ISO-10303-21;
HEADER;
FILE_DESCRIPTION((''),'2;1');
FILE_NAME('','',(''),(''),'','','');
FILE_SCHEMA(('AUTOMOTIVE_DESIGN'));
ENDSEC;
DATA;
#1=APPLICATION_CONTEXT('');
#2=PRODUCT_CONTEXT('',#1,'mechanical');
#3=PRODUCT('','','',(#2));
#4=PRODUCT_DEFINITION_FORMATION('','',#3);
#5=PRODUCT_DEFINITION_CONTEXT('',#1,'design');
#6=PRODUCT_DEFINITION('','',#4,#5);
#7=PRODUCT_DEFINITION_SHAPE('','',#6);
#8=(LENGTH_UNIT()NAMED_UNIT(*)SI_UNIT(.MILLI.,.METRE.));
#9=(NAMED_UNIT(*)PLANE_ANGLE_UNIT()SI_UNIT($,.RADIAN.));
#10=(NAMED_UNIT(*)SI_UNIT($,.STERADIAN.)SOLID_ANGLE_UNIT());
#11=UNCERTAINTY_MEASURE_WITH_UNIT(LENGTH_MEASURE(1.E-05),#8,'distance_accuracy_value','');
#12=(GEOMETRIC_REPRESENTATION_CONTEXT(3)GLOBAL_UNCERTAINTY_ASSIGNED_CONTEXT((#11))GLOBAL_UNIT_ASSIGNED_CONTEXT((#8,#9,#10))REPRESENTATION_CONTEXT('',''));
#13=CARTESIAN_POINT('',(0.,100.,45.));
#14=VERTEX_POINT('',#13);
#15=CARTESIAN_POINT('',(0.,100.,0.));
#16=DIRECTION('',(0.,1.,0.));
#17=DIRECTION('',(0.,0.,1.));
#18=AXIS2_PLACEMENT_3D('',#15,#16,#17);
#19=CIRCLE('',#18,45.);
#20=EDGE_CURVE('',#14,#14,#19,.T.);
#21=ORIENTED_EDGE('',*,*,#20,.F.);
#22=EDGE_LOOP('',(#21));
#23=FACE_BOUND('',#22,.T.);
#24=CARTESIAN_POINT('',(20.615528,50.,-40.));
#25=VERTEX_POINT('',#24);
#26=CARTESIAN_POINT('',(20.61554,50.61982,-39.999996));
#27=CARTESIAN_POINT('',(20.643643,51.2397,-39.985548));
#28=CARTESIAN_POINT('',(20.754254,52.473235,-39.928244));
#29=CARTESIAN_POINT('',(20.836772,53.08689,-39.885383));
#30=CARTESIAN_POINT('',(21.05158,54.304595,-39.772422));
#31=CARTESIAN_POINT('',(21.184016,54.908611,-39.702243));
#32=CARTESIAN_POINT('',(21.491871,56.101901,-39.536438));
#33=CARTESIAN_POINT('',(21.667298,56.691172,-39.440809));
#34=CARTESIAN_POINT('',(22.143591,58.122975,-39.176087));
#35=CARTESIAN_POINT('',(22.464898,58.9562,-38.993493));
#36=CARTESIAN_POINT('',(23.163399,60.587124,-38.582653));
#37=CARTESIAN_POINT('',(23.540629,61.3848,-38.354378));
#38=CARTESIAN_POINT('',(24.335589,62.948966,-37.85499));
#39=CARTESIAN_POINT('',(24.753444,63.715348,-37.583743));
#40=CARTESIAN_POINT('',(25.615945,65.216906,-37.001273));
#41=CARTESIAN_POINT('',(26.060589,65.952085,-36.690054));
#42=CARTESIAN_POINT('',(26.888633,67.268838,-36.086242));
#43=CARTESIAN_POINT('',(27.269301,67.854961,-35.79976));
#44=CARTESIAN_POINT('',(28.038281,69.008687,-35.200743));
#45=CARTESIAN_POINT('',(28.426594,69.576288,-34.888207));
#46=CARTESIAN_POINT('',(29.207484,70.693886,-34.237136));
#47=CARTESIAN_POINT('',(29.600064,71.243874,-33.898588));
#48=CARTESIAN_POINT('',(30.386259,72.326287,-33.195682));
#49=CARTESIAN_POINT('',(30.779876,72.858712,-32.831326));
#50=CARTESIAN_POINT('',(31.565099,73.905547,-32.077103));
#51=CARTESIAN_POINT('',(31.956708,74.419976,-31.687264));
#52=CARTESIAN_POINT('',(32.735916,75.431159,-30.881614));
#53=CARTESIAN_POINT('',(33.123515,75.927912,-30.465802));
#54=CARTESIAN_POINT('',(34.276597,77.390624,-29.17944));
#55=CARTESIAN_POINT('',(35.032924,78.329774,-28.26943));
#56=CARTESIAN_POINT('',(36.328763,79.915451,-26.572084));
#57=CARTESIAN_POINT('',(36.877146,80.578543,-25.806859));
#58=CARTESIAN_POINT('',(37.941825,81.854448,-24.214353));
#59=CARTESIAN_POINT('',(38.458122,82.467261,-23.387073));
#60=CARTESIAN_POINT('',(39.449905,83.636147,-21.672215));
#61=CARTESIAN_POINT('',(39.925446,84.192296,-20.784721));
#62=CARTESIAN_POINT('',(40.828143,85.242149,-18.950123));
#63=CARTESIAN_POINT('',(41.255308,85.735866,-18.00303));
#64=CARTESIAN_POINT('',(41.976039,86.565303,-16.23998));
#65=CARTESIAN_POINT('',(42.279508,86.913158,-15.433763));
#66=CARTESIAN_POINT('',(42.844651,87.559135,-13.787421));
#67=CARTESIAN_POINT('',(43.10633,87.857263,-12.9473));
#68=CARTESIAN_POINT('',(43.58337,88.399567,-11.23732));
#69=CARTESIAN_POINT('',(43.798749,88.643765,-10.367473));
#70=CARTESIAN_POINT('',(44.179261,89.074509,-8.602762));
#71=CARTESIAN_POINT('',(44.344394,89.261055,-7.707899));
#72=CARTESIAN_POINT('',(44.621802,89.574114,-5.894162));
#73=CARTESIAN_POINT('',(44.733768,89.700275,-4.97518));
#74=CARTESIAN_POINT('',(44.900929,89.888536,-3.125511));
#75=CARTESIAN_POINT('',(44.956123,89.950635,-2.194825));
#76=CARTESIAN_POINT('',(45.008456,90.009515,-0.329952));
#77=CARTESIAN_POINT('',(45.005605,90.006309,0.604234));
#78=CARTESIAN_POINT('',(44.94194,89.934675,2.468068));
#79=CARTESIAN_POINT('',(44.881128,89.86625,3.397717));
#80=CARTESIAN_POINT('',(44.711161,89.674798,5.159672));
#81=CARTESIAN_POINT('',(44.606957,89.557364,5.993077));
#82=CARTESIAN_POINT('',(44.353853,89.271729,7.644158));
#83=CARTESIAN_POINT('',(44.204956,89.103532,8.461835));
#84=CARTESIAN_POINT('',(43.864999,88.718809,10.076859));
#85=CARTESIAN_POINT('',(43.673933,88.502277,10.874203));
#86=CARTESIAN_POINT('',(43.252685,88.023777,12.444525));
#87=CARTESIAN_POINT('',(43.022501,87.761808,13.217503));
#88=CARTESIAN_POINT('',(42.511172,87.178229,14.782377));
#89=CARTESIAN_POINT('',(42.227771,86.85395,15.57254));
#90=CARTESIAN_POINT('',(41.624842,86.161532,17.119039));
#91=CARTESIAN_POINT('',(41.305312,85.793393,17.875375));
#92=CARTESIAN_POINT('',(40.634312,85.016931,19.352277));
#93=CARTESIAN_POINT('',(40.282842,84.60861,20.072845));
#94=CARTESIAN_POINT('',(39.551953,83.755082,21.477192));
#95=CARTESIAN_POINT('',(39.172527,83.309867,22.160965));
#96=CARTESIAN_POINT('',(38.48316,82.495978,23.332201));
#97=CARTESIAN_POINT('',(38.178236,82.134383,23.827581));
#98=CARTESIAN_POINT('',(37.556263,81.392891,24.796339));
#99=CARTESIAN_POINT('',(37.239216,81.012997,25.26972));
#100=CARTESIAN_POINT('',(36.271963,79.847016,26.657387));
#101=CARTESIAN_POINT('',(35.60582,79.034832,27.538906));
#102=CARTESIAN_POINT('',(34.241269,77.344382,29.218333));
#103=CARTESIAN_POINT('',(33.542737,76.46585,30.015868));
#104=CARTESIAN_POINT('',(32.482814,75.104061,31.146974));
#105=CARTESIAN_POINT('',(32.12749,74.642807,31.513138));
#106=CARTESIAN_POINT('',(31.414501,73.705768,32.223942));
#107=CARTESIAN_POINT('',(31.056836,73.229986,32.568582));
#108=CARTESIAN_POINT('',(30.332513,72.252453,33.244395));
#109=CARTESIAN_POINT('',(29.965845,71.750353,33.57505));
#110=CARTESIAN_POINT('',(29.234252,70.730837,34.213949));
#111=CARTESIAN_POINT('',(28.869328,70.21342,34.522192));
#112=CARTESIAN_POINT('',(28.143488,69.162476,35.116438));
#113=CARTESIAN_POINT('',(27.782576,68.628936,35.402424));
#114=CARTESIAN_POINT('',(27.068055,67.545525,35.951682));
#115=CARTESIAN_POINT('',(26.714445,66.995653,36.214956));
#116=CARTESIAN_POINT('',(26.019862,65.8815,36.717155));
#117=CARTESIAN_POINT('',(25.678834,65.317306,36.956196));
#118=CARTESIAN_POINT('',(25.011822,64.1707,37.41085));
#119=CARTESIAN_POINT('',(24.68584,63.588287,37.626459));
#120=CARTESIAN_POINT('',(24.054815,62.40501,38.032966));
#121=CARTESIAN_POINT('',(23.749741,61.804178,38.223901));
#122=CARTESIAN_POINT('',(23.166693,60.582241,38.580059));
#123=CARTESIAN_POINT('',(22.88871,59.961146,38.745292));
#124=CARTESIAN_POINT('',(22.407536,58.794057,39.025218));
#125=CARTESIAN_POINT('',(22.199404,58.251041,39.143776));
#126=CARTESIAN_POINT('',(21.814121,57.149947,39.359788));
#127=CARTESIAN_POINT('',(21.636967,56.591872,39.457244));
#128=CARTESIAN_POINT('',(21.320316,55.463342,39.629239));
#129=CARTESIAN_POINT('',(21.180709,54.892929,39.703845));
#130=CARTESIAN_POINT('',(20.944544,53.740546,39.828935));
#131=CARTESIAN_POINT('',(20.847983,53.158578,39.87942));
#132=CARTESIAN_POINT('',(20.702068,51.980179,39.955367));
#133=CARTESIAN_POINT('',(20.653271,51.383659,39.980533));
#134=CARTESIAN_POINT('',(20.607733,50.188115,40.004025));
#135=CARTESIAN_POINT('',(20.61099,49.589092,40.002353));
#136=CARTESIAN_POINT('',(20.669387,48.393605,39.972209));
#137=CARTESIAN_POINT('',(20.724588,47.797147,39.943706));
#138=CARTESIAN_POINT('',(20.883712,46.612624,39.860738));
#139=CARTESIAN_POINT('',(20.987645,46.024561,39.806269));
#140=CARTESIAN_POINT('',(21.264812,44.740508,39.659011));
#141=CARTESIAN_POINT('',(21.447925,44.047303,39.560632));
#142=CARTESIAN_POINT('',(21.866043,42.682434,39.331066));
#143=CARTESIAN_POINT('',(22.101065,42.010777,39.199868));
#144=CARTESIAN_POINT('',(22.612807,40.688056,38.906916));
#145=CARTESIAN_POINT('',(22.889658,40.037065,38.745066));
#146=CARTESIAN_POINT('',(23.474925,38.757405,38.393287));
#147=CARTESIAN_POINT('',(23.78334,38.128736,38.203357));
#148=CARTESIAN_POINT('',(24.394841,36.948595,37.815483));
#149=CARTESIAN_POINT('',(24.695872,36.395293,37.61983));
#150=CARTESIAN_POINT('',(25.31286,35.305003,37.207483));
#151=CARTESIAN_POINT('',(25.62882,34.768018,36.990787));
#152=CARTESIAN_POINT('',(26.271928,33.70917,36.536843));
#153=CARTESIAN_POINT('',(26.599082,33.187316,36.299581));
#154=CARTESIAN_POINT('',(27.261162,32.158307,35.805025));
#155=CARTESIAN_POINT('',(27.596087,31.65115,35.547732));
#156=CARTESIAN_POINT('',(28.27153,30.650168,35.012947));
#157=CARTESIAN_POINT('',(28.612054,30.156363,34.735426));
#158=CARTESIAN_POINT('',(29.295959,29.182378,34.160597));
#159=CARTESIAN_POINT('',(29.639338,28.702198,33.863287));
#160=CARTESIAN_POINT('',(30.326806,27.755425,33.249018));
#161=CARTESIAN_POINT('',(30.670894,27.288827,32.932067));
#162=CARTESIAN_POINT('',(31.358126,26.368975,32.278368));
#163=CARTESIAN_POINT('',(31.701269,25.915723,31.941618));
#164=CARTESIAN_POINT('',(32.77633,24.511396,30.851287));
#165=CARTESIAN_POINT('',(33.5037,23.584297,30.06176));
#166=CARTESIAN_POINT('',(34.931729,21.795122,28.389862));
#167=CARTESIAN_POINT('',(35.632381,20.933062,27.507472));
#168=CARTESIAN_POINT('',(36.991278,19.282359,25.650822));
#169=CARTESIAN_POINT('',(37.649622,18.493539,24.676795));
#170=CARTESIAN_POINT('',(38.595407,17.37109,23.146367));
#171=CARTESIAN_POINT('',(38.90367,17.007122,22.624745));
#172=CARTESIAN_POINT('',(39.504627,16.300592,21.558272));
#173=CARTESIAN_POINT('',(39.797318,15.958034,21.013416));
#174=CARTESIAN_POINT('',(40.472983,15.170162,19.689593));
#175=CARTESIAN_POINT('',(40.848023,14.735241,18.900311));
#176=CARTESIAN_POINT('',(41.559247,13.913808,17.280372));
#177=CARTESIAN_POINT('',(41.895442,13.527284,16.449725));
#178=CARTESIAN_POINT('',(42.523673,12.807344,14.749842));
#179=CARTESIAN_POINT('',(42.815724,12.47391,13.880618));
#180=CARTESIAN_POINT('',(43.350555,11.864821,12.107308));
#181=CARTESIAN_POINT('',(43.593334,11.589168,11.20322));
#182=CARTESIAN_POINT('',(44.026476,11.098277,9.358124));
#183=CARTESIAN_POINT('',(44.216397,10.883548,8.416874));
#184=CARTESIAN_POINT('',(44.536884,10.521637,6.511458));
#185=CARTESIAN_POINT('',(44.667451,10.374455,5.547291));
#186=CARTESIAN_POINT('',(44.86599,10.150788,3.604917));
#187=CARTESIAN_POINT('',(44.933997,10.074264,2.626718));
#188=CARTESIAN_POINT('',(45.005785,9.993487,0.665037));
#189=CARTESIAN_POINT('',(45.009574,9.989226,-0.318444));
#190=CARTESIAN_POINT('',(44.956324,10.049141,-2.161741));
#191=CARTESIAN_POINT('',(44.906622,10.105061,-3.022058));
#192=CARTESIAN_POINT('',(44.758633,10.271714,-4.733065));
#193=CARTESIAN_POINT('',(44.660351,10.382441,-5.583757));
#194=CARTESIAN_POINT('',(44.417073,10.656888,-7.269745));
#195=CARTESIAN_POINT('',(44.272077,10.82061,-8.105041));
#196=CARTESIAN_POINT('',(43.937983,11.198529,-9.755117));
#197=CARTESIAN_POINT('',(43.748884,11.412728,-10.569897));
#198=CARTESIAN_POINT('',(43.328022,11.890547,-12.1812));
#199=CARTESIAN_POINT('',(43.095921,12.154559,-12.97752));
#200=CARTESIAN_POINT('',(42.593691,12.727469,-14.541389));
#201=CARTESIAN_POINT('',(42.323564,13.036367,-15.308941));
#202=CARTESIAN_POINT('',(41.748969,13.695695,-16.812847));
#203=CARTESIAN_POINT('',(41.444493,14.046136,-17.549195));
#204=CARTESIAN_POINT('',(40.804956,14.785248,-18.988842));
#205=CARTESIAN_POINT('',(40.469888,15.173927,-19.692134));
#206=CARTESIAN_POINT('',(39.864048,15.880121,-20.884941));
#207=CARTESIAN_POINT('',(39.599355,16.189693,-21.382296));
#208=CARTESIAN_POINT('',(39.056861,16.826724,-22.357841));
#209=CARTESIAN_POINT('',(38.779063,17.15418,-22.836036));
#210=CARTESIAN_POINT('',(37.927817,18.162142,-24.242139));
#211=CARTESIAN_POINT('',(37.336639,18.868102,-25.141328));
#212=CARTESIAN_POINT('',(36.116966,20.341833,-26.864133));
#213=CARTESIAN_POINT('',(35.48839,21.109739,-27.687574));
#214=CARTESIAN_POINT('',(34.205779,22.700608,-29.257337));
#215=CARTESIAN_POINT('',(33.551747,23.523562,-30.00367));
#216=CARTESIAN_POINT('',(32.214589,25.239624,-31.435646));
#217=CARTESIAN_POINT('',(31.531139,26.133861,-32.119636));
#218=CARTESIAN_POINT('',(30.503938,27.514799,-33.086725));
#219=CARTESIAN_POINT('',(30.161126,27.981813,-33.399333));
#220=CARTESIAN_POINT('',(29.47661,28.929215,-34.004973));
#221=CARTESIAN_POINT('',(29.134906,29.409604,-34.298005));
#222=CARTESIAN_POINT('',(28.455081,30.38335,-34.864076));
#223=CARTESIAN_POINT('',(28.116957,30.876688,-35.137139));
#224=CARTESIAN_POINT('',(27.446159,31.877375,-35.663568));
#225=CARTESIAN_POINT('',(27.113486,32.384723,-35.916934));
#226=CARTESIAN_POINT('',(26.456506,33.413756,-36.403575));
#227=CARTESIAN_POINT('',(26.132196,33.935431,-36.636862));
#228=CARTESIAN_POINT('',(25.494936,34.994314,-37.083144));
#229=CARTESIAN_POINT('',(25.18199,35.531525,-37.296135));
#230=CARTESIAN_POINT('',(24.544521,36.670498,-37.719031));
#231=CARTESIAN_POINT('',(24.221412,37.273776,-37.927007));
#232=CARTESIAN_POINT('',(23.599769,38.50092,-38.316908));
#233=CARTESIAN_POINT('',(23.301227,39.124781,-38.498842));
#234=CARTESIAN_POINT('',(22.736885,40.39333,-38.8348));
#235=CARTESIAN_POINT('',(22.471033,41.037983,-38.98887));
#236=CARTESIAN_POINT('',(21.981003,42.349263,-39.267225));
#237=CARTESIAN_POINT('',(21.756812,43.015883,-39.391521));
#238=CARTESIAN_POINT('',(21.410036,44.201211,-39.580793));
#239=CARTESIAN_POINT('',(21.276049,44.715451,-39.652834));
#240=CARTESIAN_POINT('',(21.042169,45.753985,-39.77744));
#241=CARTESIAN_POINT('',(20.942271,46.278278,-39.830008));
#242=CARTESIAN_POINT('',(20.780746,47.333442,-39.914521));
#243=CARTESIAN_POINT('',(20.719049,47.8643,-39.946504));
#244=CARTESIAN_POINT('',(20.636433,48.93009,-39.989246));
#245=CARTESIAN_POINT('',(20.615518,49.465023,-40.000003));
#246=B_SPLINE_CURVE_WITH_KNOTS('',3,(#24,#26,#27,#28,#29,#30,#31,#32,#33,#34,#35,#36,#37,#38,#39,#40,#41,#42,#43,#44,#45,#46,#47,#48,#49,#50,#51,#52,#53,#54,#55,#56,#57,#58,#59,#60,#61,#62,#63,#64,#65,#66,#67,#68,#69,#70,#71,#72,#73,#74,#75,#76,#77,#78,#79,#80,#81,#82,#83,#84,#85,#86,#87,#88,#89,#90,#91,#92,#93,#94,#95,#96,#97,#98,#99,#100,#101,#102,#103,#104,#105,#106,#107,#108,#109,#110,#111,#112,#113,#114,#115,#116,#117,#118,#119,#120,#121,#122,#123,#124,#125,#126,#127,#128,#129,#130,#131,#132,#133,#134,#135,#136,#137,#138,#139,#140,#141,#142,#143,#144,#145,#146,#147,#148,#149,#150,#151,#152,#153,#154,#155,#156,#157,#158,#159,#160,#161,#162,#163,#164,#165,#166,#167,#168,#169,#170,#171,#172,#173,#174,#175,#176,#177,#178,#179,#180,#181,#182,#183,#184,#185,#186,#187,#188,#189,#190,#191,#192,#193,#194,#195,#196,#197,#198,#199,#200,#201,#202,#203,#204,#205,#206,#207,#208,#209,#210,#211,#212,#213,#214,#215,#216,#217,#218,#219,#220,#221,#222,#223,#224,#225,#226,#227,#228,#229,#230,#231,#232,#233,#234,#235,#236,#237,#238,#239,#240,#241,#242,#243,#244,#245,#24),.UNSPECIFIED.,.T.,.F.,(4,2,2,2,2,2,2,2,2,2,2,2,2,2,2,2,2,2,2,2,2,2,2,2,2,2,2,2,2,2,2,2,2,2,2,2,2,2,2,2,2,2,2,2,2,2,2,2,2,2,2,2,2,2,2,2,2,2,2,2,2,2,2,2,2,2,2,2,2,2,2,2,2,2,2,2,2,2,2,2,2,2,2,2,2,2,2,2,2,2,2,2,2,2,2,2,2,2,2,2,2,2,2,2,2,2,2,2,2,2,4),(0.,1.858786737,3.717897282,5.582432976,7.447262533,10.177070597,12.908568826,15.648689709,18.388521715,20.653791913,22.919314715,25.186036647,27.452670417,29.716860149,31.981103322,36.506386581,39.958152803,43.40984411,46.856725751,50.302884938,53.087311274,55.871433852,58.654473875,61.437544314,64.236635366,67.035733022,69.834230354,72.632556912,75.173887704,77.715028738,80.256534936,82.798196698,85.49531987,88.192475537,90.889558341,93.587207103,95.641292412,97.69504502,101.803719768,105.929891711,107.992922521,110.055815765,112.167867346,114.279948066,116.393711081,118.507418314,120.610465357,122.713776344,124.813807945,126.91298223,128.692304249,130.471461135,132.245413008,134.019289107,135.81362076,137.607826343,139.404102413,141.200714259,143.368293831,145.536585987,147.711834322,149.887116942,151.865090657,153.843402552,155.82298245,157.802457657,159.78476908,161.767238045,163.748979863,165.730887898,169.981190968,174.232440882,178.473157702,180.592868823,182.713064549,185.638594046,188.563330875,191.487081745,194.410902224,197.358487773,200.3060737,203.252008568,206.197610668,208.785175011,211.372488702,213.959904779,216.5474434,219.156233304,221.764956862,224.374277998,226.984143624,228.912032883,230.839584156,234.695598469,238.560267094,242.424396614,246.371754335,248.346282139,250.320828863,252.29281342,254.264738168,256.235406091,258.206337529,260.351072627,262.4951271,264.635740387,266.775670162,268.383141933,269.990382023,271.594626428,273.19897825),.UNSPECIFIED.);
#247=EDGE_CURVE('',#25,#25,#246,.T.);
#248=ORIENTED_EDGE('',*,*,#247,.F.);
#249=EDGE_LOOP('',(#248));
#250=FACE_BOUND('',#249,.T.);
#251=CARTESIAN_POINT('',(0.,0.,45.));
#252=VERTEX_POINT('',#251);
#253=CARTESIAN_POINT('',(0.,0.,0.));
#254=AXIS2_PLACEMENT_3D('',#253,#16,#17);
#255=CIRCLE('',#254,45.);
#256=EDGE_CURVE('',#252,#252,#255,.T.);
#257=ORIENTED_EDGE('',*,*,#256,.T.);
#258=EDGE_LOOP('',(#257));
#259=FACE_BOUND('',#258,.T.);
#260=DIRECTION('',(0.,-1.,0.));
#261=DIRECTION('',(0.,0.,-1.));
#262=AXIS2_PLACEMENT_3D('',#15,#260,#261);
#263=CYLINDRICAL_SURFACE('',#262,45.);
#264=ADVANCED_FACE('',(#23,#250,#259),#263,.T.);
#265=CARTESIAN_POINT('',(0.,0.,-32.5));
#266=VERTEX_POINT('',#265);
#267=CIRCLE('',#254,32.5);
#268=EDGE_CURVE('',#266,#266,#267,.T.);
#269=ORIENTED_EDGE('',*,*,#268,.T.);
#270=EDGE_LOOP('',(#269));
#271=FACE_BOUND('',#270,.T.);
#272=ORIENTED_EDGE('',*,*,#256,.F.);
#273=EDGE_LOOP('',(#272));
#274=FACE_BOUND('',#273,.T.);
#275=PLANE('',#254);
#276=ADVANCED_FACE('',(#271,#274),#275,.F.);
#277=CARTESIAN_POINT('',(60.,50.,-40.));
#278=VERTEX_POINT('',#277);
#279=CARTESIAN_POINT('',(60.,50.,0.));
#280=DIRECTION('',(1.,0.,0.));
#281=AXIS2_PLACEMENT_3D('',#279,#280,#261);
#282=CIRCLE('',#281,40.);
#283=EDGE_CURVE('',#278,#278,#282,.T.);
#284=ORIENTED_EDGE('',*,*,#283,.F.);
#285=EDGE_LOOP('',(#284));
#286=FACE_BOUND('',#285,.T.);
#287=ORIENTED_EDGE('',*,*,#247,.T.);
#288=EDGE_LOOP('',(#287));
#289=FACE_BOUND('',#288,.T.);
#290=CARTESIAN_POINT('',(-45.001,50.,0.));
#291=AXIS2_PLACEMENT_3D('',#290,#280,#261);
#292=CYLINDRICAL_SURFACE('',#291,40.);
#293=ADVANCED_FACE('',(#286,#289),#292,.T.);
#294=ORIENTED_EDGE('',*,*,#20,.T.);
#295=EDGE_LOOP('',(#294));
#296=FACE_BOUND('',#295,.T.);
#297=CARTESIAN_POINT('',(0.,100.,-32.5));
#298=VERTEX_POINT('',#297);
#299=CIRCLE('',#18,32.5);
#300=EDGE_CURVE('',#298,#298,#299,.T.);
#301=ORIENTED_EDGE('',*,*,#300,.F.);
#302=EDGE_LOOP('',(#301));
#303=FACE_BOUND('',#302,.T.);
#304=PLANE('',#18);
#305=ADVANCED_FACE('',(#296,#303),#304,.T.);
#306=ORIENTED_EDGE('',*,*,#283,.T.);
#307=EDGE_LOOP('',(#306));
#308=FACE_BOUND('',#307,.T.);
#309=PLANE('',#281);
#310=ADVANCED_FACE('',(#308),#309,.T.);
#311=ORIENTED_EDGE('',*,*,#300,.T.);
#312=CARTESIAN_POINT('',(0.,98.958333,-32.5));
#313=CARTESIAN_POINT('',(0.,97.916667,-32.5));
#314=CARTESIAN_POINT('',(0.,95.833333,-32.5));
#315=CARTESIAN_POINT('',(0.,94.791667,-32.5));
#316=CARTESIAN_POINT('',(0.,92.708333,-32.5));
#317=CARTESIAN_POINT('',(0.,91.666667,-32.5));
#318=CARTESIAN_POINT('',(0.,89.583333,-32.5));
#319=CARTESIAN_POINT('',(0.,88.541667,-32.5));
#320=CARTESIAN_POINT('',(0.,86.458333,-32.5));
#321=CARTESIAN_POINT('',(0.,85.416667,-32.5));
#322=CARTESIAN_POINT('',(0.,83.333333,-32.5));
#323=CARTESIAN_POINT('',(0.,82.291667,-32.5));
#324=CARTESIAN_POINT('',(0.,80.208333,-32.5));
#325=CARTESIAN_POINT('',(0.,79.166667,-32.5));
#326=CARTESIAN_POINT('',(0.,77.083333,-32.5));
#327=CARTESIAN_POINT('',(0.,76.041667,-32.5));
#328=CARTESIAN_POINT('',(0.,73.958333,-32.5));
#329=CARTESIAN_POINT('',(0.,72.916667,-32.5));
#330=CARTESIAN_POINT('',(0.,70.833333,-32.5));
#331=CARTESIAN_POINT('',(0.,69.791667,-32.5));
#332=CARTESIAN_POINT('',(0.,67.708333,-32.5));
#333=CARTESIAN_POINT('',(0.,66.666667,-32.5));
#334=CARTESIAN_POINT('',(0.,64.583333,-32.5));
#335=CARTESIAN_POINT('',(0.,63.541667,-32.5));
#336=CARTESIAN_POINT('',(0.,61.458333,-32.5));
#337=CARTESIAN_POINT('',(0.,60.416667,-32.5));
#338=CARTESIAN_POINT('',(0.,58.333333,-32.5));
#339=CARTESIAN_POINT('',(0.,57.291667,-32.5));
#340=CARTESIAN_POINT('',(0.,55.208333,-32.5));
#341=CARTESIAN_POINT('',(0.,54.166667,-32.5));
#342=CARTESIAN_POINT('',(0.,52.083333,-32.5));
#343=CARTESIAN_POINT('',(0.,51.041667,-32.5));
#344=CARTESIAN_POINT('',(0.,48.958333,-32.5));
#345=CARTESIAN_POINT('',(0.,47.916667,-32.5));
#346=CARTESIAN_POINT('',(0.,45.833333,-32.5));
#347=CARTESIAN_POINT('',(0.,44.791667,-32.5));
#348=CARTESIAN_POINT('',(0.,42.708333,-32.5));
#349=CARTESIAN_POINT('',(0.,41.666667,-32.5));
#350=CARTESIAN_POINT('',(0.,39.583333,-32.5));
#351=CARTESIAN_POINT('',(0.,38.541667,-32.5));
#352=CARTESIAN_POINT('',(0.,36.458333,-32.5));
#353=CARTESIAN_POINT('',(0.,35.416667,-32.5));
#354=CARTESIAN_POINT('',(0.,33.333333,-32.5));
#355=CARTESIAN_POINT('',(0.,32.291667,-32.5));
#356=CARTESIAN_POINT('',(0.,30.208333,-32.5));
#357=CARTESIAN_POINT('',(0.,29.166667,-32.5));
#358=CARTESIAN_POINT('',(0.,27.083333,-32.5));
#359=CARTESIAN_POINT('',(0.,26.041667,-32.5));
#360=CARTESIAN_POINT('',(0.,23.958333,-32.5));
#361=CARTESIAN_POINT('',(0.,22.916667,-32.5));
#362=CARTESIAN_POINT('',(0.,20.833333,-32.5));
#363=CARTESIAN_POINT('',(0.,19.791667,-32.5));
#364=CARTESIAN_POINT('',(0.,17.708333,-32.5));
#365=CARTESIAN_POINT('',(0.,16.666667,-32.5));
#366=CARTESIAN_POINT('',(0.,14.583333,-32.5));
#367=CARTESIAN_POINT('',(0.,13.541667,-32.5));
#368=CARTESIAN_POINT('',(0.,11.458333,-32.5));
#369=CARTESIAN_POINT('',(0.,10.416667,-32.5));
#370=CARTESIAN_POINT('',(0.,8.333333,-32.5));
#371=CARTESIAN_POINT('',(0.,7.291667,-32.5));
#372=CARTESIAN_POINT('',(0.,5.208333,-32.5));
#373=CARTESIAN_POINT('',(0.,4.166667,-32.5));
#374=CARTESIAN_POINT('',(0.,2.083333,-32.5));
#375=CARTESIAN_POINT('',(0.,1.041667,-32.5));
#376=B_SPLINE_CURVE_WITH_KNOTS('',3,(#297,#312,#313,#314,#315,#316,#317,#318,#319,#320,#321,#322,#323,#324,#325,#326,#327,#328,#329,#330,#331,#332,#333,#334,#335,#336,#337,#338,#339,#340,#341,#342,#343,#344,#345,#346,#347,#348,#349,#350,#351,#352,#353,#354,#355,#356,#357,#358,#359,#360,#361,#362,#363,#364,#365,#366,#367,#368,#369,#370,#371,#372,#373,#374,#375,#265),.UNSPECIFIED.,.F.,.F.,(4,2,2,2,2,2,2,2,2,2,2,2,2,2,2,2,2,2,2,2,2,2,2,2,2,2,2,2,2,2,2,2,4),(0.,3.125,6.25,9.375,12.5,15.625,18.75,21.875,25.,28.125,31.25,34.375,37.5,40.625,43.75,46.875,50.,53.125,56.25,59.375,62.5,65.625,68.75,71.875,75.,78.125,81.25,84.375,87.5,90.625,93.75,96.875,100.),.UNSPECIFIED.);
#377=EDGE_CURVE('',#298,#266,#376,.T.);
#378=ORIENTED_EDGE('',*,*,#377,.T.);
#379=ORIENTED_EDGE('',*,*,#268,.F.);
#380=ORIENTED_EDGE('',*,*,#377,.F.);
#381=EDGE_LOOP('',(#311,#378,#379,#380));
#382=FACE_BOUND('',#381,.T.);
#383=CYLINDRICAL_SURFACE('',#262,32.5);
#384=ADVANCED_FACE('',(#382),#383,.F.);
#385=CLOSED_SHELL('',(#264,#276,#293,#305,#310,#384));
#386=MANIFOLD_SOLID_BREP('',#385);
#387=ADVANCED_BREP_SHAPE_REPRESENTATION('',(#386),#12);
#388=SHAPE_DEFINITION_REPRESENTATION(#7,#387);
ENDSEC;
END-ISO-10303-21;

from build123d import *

# Parameters (mm, degrees)
SKETCH1_R                = 45
SKETCH1_R_2              = 32.5
BOSS_EXTRUDE1_DEPTH      = 100
BOSS_EXTRUDE2_REACH      = 153.822
BOSS_EXTRUDE2_END_RADIUS = 45
SKETCH2_R                = 40


with BuildPart() as part:
    # Sketch1 → Boss-Extrude1 (new body)
    with BuildSketch(Plane(origin=(0, 0, 0), x_dir=(1, 0, 0), z_dir=(0, 1, 0))):
        with Locations(Location((0, 0, 0), (0, 0, 90))):
            Circle(SKETCH1_R)
        with Locations(Location((0, 0, 0), (0, 0, 90))):
            Circle(SKETCH1_R_2, mode=Mode.SUBTRACT)
    extrude(amount=BOSS_EXTRUDE1_DEPTH)

    # Boss-Extrude2: up to this cylinder (the profile starts outside it)
    boss_extrude2_end = Plane(origin=(0, 50, 0), z_dir=(0, -1, 0)) * Cylinder(BOSS_EXTRUDE2_END_RADIUS, 398.644, mode=Mode.PRIVATE)
    # Sketch2 → Boss-Extrude2 (add, up to the surface)
    with BuildSketch(Plane(origin=(60, 0, 0), x_dir=(0, 0, -1), z_dir=(1, 0, 0)), mode=Mode.PRIVATE) as boss_extrude2_sk1:
        with Locations((0, 50)):
            Circle(SKETCH2_R)
    boss_extrude2_tool1 = extrude(boss_extrude2_sk1.sketch, amount=-BOSS_EXTRUDE2_REACH, mode=Mode.PRIVATE) - boss_extrude2_end
    add(boss_extrude2_tool1.solids().sort_by_distance((60, 50, 0))[0])


solid = part.part
